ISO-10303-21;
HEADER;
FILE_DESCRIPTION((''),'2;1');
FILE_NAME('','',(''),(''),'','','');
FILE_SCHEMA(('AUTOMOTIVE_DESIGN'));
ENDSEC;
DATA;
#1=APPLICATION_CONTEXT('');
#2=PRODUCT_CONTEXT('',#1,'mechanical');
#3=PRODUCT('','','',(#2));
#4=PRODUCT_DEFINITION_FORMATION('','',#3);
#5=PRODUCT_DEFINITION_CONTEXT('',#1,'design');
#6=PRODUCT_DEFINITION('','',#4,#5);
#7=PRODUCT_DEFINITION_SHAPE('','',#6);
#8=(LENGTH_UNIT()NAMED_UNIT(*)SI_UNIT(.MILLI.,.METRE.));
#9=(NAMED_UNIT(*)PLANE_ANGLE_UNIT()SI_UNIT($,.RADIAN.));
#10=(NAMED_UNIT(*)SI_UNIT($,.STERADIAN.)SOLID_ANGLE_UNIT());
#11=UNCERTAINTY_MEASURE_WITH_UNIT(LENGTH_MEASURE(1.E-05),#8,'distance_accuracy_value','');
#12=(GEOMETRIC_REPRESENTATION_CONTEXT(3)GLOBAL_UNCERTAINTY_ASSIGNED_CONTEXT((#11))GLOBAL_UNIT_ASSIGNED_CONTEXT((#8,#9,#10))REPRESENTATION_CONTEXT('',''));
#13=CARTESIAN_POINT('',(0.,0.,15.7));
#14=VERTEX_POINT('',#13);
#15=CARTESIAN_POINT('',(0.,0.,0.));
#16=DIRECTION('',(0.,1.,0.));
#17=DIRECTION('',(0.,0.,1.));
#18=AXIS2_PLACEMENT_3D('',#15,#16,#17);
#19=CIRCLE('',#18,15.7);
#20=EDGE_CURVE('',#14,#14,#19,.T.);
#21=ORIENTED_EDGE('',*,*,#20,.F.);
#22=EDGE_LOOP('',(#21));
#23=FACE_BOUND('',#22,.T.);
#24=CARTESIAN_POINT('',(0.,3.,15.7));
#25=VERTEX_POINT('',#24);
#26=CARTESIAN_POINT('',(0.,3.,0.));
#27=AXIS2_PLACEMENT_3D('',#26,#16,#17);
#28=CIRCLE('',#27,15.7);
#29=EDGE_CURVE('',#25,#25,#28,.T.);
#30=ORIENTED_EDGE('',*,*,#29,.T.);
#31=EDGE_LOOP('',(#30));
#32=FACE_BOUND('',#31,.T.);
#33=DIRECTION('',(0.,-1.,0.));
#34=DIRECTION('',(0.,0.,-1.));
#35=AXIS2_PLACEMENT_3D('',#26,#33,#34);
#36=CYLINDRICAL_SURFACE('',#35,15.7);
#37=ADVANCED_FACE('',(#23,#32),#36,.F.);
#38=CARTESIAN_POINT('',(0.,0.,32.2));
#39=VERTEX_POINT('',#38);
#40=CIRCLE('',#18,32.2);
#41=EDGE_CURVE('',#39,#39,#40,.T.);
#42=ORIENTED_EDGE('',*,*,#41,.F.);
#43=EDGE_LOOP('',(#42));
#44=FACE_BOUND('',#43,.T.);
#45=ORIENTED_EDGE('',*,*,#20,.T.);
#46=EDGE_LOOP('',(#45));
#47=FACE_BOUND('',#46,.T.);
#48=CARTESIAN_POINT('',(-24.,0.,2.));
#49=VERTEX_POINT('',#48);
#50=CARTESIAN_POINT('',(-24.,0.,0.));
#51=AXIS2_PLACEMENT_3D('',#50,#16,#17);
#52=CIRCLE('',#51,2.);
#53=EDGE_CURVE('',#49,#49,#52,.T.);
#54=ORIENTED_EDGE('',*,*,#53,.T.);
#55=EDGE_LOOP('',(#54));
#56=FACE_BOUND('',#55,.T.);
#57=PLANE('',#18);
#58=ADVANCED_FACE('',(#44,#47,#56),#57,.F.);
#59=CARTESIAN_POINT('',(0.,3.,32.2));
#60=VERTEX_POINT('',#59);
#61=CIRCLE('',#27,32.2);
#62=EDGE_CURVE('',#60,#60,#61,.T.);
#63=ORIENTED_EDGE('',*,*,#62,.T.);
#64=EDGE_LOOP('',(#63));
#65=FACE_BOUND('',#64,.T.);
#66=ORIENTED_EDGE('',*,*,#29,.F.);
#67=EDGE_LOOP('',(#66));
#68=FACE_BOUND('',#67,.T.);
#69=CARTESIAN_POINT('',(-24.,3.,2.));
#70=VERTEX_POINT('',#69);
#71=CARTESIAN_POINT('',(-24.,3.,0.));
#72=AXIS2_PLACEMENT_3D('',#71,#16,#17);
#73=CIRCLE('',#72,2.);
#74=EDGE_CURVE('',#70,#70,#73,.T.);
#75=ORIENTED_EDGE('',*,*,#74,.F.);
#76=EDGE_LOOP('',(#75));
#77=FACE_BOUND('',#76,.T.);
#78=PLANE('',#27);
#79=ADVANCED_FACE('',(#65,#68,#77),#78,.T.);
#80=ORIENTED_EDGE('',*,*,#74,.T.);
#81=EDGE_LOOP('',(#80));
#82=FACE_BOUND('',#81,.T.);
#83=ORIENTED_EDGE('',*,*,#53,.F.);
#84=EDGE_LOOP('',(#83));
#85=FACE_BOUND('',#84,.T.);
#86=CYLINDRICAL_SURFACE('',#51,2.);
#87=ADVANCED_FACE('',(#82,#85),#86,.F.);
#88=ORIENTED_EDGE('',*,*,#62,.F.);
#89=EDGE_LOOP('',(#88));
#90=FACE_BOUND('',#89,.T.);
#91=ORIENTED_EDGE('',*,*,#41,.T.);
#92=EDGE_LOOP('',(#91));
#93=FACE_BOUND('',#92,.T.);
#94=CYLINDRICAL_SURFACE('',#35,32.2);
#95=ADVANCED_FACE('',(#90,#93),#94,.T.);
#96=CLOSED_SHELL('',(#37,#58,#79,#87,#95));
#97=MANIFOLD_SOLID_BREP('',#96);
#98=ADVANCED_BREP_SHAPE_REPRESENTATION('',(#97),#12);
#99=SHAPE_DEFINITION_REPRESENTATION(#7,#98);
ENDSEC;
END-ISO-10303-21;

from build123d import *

# Parameters (mm, degrees)
SKETCH1_R           = 32.2
SKETCH1_R_2         = 15.7
BOSS_EXTRUDE1_DEPTH = 3
SKETCH2_R           = 2
CUT_EXTRUDE1_DEPTH  = 46.636388989


with BuildPart() as part:
    # Sketch1 → Boss-Extrude1 (new body)
    with BuildSketch(Plane(origin=(0, 0, 0), x_dir=(1, 0, 0), z_dir=(0, 1, 0))):
        with Locations(Location((0, 0, 0), (0, 0, 270))):
            Circle(SKETCH1_R)
        with Locations(Location((0, 0, 0), (0, 0, 270))):
            Circle(SKETCH1_R_2, mode=Mode.SUBTRACT)
    extrude(amount=BOSS_EXTRUDE1_DEPTH)

    # Sketch2 → Cut-Extrude1 (cut, through all)
    with BuildSketch(Plane(origin=(0, 3, 0), x_dir=(1, 0, 0), z_dir=(0, 1, 0))):
        with Locations(Location((-24, 0, 0), (0, 0, 270))):
            Circle(SKETCH2_R)
    extrude(amount=-CUT_EXTRUDE1_DEPTH, mode=Mode.SUBTRACT)


solid = part.part
